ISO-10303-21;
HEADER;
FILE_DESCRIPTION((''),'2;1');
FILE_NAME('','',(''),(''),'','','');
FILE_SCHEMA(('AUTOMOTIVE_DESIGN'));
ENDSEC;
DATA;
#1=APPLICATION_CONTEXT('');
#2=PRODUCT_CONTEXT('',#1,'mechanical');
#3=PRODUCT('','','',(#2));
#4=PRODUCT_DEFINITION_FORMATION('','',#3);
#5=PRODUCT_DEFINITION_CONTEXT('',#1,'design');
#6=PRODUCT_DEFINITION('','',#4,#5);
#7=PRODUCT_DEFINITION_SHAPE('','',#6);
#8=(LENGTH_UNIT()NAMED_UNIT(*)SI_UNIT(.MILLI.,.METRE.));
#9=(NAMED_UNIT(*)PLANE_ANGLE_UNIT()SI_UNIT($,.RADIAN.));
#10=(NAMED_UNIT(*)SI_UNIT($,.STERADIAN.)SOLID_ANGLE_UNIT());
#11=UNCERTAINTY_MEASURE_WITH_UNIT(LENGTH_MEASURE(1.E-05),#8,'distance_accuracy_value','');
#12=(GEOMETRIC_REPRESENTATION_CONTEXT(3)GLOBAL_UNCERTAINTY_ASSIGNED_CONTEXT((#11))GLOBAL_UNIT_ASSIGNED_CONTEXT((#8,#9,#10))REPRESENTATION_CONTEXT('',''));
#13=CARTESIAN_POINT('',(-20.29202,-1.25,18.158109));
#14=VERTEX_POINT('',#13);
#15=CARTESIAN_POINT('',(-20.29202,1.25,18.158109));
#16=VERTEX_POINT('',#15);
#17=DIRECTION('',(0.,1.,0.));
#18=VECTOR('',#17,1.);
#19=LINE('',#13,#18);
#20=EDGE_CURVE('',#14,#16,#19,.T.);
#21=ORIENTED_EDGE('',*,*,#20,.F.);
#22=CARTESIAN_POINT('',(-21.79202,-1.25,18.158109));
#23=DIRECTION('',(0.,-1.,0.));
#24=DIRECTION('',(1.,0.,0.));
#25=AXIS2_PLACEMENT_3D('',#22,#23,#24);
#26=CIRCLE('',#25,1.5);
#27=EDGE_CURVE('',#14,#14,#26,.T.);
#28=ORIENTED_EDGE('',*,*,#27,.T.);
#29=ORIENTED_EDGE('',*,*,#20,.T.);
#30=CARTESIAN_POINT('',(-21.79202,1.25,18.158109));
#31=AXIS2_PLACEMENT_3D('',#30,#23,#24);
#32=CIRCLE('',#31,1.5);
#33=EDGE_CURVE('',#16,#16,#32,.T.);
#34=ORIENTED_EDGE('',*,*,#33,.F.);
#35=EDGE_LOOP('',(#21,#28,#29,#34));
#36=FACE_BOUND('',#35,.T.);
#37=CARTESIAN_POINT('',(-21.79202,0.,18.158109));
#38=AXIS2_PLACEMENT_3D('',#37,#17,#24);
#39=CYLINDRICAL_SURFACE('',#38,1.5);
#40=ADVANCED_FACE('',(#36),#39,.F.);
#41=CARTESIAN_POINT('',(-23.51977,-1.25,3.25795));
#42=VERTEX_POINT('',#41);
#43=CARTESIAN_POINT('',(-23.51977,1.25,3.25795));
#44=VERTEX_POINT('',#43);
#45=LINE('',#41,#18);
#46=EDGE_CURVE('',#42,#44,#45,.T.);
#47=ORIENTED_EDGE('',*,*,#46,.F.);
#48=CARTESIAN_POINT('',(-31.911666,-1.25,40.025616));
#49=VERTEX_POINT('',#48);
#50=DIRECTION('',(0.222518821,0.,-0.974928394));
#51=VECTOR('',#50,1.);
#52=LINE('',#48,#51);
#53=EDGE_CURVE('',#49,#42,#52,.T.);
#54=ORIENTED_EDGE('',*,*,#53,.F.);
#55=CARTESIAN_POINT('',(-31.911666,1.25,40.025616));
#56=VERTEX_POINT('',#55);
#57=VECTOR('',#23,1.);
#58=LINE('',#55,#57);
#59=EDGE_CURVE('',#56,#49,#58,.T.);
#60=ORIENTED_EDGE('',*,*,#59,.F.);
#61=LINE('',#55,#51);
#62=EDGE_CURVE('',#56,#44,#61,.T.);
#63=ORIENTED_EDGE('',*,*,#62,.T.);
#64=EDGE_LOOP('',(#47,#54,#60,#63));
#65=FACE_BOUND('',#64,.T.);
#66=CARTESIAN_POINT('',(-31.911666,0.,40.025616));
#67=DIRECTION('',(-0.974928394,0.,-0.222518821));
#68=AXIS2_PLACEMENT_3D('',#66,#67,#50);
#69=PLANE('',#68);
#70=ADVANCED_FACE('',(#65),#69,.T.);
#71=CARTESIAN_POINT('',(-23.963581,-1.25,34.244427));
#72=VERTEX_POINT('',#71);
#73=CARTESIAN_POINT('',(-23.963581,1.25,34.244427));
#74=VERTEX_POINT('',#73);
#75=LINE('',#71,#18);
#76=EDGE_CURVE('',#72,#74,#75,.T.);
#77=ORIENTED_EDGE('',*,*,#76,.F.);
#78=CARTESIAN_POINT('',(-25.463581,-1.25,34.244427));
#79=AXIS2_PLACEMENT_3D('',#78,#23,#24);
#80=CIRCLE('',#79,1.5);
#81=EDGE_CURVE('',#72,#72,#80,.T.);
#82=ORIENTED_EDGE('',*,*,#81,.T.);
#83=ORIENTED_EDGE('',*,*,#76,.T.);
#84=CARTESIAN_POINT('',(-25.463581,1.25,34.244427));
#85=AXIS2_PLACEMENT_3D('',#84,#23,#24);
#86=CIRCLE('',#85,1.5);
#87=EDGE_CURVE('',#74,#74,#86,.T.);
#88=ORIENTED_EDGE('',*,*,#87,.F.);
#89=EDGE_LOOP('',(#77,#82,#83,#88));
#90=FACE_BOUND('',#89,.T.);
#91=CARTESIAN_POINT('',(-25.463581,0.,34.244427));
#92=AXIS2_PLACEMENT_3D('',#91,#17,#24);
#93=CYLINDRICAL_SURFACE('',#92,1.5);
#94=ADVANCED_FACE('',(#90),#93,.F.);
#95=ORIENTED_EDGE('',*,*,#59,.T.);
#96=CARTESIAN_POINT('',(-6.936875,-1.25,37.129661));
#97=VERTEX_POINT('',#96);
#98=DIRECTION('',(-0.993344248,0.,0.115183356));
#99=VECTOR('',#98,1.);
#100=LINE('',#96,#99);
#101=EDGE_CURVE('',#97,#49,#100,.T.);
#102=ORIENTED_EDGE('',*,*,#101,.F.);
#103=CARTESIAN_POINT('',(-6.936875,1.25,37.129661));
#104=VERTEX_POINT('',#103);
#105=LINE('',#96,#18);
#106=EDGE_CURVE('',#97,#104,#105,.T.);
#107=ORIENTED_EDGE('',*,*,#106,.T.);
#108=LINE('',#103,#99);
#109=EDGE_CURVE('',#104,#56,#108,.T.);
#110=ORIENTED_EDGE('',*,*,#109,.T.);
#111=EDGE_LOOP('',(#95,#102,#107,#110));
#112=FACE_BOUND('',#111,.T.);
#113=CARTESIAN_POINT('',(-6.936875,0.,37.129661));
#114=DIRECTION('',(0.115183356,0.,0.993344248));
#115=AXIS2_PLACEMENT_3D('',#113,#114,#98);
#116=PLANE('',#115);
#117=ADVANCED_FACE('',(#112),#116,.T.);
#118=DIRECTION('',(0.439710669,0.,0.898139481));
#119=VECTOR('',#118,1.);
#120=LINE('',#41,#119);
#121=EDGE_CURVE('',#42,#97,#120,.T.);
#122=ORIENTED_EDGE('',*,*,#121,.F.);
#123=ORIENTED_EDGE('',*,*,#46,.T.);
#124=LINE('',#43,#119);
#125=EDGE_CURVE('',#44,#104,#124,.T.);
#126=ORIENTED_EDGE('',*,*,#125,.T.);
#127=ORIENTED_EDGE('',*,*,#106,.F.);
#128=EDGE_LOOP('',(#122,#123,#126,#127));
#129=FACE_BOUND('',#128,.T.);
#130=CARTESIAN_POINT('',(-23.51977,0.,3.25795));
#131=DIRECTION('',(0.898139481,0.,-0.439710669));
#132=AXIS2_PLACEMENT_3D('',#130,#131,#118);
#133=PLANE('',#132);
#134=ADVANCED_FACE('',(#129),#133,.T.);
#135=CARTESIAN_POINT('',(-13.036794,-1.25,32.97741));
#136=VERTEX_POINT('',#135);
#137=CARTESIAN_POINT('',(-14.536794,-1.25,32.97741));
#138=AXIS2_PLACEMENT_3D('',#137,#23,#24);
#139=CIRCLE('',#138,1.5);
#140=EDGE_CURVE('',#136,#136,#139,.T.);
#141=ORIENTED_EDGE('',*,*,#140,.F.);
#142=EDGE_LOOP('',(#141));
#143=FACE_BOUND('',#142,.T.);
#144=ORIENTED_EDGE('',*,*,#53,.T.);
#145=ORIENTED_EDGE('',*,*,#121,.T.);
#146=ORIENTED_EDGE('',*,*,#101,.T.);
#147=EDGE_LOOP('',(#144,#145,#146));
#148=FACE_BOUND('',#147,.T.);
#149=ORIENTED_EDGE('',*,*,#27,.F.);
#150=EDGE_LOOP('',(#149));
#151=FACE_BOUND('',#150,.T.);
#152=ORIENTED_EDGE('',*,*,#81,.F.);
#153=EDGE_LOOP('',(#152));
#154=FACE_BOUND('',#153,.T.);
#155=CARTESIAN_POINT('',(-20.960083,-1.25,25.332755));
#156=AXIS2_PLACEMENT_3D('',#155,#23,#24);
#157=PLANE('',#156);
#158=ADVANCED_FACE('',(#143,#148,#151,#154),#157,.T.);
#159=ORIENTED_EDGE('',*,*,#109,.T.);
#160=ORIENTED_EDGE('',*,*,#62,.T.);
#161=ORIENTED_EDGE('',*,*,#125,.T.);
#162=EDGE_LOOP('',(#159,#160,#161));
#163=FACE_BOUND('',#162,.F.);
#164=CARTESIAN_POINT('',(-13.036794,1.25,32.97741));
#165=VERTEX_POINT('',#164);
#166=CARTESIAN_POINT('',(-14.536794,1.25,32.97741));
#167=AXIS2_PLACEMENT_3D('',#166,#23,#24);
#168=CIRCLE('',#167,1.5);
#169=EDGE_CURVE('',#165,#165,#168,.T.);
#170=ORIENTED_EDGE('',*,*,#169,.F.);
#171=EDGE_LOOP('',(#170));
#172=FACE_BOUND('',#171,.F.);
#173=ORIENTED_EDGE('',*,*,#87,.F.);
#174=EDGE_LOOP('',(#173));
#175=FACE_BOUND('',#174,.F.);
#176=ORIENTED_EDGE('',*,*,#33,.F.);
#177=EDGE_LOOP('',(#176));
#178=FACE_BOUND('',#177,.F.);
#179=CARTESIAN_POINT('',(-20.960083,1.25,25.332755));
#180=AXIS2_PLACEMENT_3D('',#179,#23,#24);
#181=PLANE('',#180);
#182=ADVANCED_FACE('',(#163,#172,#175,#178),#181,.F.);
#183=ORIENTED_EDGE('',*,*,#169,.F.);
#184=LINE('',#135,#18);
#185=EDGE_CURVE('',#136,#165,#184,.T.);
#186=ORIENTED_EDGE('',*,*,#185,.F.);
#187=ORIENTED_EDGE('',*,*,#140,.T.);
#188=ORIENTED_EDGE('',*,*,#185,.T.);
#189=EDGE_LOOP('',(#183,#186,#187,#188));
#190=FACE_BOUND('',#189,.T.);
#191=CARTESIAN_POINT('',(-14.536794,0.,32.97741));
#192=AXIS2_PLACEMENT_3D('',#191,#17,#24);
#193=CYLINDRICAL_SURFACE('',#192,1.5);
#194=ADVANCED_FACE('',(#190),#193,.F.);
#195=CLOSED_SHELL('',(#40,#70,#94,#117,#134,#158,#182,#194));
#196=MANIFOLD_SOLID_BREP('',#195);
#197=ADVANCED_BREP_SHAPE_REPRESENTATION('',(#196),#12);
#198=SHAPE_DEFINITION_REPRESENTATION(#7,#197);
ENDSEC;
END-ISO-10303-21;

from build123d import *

# Parameters (mm, degrees)
F0_R     = 1.5
F1_DEPTH = 1.25


with BuildPart() as f1:
    # F0 (on Front) → F1 (new body, symmetric)
    with BuildSketch(Plane.XZ):
        Polygon((-6.936875, 37.129661), (-31.911666, 40.025616), (-23.51977, 3.25795), align=None)
        with Locations((-21.79202, 18.158109)):
            Circle(F0_R, mode=Mode.SUBTRACT)
        with Locations((-25.463581, 34.244427)):
            Circle(F0_R, mode=Mode.SUBTRACT)
        with Locations((-14.536794, 32.97741)):
            Circle(F0_R, mode=Mode.SUBTRACT)
    extrude(amount=F1_DEPTH, both=True)


solid = f1.part
